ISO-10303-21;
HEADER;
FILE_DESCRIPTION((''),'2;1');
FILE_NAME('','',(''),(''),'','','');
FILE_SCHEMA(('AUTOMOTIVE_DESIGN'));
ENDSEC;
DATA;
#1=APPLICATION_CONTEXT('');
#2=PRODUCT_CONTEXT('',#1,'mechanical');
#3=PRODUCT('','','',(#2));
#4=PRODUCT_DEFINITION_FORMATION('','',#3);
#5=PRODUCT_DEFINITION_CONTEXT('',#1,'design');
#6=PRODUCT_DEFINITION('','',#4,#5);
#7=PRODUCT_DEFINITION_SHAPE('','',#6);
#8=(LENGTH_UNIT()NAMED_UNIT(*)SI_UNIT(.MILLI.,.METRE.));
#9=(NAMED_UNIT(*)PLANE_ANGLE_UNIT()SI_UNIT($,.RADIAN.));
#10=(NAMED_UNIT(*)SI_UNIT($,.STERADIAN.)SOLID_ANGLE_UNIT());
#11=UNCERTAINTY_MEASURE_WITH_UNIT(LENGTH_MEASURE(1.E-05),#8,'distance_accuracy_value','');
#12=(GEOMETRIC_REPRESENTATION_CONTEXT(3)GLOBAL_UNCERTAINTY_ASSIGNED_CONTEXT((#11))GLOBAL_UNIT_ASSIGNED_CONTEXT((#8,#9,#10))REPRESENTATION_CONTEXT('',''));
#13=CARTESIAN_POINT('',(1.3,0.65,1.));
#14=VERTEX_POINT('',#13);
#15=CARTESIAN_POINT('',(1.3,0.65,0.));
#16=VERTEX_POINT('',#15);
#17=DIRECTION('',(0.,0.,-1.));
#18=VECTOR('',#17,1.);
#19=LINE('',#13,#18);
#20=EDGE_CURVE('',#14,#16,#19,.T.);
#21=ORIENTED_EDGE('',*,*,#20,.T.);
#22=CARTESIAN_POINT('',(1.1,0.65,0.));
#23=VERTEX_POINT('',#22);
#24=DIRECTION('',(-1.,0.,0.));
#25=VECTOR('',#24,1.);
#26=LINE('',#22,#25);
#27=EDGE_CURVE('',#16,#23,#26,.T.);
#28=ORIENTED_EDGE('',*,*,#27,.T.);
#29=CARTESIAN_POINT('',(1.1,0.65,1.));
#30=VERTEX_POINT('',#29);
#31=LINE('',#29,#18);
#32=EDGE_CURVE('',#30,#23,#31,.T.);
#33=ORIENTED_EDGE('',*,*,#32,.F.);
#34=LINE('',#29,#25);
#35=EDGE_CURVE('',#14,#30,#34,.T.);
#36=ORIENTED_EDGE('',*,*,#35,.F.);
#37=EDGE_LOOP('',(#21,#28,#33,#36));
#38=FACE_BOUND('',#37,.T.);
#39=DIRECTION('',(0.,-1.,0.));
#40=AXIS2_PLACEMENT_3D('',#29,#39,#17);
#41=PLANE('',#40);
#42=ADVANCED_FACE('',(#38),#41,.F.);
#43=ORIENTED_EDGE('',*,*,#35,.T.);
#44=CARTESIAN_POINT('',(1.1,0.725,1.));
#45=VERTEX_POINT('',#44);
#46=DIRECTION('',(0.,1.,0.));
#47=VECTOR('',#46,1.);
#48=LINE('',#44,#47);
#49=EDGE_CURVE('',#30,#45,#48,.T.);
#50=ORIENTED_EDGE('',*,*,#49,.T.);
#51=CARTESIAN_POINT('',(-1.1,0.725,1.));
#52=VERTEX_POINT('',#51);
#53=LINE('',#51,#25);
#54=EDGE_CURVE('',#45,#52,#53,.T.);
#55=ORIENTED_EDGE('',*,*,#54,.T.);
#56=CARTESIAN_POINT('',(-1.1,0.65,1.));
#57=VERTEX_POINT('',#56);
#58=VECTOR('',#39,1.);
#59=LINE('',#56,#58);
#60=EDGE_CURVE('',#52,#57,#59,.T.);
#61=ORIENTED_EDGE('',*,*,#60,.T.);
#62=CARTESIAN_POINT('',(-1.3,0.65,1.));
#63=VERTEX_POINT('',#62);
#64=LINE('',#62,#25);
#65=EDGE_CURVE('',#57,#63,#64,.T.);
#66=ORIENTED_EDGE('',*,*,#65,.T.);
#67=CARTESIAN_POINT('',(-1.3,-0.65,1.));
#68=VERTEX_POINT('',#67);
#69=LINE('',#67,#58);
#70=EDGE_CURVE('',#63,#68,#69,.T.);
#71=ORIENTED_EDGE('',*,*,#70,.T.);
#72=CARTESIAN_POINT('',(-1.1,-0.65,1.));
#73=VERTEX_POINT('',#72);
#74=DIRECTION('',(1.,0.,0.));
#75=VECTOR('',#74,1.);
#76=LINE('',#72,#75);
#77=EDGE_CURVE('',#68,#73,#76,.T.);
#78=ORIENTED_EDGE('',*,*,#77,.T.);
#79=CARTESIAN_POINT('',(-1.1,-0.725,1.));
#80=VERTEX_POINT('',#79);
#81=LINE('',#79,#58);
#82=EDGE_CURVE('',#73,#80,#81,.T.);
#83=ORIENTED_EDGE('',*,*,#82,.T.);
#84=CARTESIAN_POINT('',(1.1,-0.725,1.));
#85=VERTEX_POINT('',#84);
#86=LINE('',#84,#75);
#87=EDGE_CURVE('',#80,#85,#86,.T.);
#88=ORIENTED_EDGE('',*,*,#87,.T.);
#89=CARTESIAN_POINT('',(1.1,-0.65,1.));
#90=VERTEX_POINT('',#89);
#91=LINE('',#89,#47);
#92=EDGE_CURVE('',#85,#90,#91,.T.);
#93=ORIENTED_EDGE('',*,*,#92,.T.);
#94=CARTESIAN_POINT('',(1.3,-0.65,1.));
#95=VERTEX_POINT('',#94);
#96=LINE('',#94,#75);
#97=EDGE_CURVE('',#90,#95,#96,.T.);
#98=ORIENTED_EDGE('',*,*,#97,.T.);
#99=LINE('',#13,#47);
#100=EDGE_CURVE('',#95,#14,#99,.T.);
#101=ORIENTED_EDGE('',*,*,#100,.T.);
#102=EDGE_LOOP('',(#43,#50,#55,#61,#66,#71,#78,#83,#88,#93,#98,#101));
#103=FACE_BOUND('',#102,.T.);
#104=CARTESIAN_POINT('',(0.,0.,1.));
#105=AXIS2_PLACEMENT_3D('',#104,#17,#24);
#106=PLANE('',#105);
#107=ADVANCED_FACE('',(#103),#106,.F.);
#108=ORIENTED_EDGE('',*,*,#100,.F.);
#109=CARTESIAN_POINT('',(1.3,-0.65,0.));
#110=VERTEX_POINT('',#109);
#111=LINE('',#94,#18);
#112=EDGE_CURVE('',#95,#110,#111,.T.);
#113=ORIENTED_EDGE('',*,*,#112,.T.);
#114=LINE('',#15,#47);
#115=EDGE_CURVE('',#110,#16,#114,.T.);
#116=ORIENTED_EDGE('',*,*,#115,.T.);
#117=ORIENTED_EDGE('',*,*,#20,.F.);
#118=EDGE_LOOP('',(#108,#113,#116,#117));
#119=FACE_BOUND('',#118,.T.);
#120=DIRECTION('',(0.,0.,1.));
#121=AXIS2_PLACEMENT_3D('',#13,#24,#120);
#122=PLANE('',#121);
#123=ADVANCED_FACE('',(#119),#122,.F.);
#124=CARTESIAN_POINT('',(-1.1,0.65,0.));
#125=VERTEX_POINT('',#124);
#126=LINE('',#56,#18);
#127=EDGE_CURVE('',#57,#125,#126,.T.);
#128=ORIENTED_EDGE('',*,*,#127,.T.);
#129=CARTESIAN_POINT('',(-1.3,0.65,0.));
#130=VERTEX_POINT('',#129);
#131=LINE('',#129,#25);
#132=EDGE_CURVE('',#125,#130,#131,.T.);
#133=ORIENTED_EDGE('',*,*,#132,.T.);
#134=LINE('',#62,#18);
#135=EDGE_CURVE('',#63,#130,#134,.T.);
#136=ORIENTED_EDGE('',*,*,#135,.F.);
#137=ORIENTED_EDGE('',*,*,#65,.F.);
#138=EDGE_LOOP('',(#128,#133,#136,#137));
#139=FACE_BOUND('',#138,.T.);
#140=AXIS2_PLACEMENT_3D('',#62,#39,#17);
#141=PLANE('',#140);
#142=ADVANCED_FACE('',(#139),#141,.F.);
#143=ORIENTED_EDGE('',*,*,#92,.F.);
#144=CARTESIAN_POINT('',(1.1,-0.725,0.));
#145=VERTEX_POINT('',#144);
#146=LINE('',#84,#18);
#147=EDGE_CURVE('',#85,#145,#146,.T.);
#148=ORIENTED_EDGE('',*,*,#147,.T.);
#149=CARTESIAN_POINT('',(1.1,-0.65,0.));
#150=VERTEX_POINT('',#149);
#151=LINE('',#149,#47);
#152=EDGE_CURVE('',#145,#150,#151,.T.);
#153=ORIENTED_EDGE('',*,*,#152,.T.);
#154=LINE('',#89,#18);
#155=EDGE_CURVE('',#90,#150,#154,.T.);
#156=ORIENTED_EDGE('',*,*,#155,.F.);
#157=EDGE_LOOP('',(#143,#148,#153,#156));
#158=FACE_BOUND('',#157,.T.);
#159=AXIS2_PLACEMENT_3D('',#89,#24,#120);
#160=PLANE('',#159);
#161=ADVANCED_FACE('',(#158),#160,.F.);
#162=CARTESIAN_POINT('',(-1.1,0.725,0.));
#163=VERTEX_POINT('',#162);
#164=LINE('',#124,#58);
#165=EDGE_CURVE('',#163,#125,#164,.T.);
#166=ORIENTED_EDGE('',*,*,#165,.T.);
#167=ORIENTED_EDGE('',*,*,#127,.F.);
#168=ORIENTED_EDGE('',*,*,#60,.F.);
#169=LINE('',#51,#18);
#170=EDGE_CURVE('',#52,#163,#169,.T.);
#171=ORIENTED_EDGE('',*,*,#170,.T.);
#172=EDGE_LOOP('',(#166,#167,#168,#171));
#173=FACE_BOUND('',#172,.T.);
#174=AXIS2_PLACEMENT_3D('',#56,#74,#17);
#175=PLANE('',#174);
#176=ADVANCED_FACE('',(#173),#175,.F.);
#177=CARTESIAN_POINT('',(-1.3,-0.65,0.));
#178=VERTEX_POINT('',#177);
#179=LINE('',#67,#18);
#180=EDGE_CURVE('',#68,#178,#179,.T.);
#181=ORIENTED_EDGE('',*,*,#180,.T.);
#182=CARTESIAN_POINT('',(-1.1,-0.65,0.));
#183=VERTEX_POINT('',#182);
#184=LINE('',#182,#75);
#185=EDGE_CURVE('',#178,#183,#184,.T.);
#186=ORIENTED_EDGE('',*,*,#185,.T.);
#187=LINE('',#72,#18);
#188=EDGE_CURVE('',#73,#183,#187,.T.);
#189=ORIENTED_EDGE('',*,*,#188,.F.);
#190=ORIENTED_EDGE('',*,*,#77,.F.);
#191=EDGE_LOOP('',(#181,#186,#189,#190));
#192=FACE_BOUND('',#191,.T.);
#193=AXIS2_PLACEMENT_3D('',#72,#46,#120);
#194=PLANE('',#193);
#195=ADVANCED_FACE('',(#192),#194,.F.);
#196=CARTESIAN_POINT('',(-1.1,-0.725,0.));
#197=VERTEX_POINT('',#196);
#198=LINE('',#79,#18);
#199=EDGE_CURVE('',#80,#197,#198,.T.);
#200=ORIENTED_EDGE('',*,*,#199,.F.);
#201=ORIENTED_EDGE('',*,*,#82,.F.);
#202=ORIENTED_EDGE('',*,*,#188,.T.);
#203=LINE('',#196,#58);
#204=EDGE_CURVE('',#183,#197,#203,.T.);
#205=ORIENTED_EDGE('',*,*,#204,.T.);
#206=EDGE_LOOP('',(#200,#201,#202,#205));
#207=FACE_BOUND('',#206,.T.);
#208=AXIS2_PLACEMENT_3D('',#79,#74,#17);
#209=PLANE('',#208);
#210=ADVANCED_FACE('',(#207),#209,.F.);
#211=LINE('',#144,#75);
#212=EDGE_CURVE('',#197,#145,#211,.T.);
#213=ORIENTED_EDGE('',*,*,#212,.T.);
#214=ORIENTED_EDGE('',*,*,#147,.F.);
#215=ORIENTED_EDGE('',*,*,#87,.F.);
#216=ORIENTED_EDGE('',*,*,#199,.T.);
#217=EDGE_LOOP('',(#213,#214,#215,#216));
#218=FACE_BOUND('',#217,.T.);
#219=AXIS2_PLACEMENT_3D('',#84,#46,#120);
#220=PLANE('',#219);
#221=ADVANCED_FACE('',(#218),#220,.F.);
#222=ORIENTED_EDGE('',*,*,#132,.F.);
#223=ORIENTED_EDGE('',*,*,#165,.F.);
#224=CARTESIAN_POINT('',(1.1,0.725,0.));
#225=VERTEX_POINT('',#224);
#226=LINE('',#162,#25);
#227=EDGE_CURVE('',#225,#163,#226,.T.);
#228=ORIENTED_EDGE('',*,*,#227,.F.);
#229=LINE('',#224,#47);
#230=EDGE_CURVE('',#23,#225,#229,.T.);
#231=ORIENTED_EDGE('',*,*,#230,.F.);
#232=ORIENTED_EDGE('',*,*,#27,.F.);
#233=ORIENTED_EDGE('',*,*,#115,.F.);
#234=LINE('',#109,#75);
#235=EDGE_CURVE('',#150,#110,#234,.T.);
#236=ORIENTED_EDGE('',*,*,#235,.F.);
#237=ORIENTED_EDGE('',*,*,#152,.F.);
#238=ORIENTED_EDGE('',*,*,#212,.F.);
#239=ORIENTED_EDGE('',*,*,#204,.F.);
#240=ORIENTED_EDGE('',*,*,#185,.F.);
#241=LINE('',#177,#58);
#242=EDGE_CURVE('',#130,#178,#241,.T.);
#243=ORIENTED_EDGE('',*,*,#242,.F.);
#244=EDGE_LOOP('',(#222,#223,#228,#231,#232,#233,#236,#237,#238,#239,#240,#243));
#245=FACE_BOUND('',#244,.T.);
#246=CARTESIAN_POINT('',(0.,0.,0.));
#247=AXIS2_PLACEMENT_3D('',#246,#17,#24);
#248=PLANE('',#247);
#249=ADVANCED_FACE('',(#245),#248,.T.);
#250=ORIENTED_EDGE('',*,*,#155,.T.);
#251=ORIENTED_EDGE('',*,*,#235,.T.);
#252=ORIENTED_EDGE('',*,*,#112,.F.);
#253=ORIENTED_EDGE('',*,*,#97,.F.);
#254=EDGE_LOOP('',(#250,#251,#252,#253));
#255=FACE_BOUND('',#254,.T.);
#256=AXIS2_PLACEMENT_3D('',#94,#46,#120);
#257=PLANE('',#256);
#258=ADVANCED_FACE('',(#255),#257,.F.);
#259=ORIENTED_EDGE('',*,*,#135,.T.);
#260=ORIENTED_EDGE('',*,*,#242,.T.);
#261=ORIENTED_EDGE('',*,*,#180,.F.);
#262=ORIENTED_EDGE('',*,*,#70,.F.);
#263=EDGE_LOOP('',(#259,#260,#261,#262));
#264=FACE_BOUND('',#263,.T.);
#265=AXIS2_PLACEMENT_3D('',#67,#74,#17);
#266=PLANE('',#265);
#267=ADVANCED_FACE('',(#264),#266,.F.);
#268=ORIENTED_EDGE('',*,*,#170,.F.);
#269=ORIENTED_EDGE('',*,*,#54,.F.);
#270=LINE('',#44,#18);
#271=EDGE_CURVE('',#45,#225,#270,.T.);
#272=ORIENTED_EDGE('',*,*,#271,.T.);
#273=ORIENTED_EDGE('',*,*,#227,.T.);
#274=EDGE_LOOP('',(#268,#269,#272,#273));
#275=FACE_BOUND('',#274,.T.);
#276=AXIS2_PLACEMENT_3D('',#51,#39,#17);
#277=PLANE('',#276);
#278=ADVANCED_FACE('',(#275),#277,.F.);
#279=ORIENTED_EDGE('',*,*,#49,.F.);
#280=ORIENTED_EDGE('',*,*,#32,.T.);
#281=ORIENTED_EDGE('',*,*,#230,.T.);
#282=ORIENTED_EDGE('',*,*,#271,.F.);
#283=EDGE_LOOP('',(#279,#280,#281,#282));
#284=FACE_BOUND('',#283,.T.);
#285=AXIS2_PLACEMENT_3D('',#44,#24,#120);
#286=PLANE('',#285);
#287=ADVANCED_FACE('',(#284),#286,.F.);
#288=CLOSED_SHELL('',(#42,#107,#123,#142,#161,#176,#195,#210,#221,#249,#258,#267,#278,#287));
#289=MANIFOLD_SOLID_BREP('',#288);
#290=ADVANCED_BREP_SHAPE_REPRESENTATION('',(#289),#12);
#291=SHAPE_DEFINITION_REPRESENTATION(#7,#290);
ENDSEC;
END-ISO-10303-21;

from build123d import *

# Parameters (mm, degrees)
COMPONENT_OUTLINE_DEPTH = 1


with BuildPart() as part:
    # 草图1 → Component_Outline (new body)
    with BuildSketch(Plane.XY):
        Polygon((-1.3, 0.65), (-1.1, 0.65), (-1.1, 0.725), (1.1, 0.725), (1.1, 0.65), (1.3, 0.65), (1.3, -0.65), (1.1, -0.65), (1.1, -0.725), (-1.1, -0.725), (-1.1, -0.65), (-1.3, -0.65), align=None)
    extrude(amount=COMPONENT_OUTLINE_DEPTH)


solid = part.part
